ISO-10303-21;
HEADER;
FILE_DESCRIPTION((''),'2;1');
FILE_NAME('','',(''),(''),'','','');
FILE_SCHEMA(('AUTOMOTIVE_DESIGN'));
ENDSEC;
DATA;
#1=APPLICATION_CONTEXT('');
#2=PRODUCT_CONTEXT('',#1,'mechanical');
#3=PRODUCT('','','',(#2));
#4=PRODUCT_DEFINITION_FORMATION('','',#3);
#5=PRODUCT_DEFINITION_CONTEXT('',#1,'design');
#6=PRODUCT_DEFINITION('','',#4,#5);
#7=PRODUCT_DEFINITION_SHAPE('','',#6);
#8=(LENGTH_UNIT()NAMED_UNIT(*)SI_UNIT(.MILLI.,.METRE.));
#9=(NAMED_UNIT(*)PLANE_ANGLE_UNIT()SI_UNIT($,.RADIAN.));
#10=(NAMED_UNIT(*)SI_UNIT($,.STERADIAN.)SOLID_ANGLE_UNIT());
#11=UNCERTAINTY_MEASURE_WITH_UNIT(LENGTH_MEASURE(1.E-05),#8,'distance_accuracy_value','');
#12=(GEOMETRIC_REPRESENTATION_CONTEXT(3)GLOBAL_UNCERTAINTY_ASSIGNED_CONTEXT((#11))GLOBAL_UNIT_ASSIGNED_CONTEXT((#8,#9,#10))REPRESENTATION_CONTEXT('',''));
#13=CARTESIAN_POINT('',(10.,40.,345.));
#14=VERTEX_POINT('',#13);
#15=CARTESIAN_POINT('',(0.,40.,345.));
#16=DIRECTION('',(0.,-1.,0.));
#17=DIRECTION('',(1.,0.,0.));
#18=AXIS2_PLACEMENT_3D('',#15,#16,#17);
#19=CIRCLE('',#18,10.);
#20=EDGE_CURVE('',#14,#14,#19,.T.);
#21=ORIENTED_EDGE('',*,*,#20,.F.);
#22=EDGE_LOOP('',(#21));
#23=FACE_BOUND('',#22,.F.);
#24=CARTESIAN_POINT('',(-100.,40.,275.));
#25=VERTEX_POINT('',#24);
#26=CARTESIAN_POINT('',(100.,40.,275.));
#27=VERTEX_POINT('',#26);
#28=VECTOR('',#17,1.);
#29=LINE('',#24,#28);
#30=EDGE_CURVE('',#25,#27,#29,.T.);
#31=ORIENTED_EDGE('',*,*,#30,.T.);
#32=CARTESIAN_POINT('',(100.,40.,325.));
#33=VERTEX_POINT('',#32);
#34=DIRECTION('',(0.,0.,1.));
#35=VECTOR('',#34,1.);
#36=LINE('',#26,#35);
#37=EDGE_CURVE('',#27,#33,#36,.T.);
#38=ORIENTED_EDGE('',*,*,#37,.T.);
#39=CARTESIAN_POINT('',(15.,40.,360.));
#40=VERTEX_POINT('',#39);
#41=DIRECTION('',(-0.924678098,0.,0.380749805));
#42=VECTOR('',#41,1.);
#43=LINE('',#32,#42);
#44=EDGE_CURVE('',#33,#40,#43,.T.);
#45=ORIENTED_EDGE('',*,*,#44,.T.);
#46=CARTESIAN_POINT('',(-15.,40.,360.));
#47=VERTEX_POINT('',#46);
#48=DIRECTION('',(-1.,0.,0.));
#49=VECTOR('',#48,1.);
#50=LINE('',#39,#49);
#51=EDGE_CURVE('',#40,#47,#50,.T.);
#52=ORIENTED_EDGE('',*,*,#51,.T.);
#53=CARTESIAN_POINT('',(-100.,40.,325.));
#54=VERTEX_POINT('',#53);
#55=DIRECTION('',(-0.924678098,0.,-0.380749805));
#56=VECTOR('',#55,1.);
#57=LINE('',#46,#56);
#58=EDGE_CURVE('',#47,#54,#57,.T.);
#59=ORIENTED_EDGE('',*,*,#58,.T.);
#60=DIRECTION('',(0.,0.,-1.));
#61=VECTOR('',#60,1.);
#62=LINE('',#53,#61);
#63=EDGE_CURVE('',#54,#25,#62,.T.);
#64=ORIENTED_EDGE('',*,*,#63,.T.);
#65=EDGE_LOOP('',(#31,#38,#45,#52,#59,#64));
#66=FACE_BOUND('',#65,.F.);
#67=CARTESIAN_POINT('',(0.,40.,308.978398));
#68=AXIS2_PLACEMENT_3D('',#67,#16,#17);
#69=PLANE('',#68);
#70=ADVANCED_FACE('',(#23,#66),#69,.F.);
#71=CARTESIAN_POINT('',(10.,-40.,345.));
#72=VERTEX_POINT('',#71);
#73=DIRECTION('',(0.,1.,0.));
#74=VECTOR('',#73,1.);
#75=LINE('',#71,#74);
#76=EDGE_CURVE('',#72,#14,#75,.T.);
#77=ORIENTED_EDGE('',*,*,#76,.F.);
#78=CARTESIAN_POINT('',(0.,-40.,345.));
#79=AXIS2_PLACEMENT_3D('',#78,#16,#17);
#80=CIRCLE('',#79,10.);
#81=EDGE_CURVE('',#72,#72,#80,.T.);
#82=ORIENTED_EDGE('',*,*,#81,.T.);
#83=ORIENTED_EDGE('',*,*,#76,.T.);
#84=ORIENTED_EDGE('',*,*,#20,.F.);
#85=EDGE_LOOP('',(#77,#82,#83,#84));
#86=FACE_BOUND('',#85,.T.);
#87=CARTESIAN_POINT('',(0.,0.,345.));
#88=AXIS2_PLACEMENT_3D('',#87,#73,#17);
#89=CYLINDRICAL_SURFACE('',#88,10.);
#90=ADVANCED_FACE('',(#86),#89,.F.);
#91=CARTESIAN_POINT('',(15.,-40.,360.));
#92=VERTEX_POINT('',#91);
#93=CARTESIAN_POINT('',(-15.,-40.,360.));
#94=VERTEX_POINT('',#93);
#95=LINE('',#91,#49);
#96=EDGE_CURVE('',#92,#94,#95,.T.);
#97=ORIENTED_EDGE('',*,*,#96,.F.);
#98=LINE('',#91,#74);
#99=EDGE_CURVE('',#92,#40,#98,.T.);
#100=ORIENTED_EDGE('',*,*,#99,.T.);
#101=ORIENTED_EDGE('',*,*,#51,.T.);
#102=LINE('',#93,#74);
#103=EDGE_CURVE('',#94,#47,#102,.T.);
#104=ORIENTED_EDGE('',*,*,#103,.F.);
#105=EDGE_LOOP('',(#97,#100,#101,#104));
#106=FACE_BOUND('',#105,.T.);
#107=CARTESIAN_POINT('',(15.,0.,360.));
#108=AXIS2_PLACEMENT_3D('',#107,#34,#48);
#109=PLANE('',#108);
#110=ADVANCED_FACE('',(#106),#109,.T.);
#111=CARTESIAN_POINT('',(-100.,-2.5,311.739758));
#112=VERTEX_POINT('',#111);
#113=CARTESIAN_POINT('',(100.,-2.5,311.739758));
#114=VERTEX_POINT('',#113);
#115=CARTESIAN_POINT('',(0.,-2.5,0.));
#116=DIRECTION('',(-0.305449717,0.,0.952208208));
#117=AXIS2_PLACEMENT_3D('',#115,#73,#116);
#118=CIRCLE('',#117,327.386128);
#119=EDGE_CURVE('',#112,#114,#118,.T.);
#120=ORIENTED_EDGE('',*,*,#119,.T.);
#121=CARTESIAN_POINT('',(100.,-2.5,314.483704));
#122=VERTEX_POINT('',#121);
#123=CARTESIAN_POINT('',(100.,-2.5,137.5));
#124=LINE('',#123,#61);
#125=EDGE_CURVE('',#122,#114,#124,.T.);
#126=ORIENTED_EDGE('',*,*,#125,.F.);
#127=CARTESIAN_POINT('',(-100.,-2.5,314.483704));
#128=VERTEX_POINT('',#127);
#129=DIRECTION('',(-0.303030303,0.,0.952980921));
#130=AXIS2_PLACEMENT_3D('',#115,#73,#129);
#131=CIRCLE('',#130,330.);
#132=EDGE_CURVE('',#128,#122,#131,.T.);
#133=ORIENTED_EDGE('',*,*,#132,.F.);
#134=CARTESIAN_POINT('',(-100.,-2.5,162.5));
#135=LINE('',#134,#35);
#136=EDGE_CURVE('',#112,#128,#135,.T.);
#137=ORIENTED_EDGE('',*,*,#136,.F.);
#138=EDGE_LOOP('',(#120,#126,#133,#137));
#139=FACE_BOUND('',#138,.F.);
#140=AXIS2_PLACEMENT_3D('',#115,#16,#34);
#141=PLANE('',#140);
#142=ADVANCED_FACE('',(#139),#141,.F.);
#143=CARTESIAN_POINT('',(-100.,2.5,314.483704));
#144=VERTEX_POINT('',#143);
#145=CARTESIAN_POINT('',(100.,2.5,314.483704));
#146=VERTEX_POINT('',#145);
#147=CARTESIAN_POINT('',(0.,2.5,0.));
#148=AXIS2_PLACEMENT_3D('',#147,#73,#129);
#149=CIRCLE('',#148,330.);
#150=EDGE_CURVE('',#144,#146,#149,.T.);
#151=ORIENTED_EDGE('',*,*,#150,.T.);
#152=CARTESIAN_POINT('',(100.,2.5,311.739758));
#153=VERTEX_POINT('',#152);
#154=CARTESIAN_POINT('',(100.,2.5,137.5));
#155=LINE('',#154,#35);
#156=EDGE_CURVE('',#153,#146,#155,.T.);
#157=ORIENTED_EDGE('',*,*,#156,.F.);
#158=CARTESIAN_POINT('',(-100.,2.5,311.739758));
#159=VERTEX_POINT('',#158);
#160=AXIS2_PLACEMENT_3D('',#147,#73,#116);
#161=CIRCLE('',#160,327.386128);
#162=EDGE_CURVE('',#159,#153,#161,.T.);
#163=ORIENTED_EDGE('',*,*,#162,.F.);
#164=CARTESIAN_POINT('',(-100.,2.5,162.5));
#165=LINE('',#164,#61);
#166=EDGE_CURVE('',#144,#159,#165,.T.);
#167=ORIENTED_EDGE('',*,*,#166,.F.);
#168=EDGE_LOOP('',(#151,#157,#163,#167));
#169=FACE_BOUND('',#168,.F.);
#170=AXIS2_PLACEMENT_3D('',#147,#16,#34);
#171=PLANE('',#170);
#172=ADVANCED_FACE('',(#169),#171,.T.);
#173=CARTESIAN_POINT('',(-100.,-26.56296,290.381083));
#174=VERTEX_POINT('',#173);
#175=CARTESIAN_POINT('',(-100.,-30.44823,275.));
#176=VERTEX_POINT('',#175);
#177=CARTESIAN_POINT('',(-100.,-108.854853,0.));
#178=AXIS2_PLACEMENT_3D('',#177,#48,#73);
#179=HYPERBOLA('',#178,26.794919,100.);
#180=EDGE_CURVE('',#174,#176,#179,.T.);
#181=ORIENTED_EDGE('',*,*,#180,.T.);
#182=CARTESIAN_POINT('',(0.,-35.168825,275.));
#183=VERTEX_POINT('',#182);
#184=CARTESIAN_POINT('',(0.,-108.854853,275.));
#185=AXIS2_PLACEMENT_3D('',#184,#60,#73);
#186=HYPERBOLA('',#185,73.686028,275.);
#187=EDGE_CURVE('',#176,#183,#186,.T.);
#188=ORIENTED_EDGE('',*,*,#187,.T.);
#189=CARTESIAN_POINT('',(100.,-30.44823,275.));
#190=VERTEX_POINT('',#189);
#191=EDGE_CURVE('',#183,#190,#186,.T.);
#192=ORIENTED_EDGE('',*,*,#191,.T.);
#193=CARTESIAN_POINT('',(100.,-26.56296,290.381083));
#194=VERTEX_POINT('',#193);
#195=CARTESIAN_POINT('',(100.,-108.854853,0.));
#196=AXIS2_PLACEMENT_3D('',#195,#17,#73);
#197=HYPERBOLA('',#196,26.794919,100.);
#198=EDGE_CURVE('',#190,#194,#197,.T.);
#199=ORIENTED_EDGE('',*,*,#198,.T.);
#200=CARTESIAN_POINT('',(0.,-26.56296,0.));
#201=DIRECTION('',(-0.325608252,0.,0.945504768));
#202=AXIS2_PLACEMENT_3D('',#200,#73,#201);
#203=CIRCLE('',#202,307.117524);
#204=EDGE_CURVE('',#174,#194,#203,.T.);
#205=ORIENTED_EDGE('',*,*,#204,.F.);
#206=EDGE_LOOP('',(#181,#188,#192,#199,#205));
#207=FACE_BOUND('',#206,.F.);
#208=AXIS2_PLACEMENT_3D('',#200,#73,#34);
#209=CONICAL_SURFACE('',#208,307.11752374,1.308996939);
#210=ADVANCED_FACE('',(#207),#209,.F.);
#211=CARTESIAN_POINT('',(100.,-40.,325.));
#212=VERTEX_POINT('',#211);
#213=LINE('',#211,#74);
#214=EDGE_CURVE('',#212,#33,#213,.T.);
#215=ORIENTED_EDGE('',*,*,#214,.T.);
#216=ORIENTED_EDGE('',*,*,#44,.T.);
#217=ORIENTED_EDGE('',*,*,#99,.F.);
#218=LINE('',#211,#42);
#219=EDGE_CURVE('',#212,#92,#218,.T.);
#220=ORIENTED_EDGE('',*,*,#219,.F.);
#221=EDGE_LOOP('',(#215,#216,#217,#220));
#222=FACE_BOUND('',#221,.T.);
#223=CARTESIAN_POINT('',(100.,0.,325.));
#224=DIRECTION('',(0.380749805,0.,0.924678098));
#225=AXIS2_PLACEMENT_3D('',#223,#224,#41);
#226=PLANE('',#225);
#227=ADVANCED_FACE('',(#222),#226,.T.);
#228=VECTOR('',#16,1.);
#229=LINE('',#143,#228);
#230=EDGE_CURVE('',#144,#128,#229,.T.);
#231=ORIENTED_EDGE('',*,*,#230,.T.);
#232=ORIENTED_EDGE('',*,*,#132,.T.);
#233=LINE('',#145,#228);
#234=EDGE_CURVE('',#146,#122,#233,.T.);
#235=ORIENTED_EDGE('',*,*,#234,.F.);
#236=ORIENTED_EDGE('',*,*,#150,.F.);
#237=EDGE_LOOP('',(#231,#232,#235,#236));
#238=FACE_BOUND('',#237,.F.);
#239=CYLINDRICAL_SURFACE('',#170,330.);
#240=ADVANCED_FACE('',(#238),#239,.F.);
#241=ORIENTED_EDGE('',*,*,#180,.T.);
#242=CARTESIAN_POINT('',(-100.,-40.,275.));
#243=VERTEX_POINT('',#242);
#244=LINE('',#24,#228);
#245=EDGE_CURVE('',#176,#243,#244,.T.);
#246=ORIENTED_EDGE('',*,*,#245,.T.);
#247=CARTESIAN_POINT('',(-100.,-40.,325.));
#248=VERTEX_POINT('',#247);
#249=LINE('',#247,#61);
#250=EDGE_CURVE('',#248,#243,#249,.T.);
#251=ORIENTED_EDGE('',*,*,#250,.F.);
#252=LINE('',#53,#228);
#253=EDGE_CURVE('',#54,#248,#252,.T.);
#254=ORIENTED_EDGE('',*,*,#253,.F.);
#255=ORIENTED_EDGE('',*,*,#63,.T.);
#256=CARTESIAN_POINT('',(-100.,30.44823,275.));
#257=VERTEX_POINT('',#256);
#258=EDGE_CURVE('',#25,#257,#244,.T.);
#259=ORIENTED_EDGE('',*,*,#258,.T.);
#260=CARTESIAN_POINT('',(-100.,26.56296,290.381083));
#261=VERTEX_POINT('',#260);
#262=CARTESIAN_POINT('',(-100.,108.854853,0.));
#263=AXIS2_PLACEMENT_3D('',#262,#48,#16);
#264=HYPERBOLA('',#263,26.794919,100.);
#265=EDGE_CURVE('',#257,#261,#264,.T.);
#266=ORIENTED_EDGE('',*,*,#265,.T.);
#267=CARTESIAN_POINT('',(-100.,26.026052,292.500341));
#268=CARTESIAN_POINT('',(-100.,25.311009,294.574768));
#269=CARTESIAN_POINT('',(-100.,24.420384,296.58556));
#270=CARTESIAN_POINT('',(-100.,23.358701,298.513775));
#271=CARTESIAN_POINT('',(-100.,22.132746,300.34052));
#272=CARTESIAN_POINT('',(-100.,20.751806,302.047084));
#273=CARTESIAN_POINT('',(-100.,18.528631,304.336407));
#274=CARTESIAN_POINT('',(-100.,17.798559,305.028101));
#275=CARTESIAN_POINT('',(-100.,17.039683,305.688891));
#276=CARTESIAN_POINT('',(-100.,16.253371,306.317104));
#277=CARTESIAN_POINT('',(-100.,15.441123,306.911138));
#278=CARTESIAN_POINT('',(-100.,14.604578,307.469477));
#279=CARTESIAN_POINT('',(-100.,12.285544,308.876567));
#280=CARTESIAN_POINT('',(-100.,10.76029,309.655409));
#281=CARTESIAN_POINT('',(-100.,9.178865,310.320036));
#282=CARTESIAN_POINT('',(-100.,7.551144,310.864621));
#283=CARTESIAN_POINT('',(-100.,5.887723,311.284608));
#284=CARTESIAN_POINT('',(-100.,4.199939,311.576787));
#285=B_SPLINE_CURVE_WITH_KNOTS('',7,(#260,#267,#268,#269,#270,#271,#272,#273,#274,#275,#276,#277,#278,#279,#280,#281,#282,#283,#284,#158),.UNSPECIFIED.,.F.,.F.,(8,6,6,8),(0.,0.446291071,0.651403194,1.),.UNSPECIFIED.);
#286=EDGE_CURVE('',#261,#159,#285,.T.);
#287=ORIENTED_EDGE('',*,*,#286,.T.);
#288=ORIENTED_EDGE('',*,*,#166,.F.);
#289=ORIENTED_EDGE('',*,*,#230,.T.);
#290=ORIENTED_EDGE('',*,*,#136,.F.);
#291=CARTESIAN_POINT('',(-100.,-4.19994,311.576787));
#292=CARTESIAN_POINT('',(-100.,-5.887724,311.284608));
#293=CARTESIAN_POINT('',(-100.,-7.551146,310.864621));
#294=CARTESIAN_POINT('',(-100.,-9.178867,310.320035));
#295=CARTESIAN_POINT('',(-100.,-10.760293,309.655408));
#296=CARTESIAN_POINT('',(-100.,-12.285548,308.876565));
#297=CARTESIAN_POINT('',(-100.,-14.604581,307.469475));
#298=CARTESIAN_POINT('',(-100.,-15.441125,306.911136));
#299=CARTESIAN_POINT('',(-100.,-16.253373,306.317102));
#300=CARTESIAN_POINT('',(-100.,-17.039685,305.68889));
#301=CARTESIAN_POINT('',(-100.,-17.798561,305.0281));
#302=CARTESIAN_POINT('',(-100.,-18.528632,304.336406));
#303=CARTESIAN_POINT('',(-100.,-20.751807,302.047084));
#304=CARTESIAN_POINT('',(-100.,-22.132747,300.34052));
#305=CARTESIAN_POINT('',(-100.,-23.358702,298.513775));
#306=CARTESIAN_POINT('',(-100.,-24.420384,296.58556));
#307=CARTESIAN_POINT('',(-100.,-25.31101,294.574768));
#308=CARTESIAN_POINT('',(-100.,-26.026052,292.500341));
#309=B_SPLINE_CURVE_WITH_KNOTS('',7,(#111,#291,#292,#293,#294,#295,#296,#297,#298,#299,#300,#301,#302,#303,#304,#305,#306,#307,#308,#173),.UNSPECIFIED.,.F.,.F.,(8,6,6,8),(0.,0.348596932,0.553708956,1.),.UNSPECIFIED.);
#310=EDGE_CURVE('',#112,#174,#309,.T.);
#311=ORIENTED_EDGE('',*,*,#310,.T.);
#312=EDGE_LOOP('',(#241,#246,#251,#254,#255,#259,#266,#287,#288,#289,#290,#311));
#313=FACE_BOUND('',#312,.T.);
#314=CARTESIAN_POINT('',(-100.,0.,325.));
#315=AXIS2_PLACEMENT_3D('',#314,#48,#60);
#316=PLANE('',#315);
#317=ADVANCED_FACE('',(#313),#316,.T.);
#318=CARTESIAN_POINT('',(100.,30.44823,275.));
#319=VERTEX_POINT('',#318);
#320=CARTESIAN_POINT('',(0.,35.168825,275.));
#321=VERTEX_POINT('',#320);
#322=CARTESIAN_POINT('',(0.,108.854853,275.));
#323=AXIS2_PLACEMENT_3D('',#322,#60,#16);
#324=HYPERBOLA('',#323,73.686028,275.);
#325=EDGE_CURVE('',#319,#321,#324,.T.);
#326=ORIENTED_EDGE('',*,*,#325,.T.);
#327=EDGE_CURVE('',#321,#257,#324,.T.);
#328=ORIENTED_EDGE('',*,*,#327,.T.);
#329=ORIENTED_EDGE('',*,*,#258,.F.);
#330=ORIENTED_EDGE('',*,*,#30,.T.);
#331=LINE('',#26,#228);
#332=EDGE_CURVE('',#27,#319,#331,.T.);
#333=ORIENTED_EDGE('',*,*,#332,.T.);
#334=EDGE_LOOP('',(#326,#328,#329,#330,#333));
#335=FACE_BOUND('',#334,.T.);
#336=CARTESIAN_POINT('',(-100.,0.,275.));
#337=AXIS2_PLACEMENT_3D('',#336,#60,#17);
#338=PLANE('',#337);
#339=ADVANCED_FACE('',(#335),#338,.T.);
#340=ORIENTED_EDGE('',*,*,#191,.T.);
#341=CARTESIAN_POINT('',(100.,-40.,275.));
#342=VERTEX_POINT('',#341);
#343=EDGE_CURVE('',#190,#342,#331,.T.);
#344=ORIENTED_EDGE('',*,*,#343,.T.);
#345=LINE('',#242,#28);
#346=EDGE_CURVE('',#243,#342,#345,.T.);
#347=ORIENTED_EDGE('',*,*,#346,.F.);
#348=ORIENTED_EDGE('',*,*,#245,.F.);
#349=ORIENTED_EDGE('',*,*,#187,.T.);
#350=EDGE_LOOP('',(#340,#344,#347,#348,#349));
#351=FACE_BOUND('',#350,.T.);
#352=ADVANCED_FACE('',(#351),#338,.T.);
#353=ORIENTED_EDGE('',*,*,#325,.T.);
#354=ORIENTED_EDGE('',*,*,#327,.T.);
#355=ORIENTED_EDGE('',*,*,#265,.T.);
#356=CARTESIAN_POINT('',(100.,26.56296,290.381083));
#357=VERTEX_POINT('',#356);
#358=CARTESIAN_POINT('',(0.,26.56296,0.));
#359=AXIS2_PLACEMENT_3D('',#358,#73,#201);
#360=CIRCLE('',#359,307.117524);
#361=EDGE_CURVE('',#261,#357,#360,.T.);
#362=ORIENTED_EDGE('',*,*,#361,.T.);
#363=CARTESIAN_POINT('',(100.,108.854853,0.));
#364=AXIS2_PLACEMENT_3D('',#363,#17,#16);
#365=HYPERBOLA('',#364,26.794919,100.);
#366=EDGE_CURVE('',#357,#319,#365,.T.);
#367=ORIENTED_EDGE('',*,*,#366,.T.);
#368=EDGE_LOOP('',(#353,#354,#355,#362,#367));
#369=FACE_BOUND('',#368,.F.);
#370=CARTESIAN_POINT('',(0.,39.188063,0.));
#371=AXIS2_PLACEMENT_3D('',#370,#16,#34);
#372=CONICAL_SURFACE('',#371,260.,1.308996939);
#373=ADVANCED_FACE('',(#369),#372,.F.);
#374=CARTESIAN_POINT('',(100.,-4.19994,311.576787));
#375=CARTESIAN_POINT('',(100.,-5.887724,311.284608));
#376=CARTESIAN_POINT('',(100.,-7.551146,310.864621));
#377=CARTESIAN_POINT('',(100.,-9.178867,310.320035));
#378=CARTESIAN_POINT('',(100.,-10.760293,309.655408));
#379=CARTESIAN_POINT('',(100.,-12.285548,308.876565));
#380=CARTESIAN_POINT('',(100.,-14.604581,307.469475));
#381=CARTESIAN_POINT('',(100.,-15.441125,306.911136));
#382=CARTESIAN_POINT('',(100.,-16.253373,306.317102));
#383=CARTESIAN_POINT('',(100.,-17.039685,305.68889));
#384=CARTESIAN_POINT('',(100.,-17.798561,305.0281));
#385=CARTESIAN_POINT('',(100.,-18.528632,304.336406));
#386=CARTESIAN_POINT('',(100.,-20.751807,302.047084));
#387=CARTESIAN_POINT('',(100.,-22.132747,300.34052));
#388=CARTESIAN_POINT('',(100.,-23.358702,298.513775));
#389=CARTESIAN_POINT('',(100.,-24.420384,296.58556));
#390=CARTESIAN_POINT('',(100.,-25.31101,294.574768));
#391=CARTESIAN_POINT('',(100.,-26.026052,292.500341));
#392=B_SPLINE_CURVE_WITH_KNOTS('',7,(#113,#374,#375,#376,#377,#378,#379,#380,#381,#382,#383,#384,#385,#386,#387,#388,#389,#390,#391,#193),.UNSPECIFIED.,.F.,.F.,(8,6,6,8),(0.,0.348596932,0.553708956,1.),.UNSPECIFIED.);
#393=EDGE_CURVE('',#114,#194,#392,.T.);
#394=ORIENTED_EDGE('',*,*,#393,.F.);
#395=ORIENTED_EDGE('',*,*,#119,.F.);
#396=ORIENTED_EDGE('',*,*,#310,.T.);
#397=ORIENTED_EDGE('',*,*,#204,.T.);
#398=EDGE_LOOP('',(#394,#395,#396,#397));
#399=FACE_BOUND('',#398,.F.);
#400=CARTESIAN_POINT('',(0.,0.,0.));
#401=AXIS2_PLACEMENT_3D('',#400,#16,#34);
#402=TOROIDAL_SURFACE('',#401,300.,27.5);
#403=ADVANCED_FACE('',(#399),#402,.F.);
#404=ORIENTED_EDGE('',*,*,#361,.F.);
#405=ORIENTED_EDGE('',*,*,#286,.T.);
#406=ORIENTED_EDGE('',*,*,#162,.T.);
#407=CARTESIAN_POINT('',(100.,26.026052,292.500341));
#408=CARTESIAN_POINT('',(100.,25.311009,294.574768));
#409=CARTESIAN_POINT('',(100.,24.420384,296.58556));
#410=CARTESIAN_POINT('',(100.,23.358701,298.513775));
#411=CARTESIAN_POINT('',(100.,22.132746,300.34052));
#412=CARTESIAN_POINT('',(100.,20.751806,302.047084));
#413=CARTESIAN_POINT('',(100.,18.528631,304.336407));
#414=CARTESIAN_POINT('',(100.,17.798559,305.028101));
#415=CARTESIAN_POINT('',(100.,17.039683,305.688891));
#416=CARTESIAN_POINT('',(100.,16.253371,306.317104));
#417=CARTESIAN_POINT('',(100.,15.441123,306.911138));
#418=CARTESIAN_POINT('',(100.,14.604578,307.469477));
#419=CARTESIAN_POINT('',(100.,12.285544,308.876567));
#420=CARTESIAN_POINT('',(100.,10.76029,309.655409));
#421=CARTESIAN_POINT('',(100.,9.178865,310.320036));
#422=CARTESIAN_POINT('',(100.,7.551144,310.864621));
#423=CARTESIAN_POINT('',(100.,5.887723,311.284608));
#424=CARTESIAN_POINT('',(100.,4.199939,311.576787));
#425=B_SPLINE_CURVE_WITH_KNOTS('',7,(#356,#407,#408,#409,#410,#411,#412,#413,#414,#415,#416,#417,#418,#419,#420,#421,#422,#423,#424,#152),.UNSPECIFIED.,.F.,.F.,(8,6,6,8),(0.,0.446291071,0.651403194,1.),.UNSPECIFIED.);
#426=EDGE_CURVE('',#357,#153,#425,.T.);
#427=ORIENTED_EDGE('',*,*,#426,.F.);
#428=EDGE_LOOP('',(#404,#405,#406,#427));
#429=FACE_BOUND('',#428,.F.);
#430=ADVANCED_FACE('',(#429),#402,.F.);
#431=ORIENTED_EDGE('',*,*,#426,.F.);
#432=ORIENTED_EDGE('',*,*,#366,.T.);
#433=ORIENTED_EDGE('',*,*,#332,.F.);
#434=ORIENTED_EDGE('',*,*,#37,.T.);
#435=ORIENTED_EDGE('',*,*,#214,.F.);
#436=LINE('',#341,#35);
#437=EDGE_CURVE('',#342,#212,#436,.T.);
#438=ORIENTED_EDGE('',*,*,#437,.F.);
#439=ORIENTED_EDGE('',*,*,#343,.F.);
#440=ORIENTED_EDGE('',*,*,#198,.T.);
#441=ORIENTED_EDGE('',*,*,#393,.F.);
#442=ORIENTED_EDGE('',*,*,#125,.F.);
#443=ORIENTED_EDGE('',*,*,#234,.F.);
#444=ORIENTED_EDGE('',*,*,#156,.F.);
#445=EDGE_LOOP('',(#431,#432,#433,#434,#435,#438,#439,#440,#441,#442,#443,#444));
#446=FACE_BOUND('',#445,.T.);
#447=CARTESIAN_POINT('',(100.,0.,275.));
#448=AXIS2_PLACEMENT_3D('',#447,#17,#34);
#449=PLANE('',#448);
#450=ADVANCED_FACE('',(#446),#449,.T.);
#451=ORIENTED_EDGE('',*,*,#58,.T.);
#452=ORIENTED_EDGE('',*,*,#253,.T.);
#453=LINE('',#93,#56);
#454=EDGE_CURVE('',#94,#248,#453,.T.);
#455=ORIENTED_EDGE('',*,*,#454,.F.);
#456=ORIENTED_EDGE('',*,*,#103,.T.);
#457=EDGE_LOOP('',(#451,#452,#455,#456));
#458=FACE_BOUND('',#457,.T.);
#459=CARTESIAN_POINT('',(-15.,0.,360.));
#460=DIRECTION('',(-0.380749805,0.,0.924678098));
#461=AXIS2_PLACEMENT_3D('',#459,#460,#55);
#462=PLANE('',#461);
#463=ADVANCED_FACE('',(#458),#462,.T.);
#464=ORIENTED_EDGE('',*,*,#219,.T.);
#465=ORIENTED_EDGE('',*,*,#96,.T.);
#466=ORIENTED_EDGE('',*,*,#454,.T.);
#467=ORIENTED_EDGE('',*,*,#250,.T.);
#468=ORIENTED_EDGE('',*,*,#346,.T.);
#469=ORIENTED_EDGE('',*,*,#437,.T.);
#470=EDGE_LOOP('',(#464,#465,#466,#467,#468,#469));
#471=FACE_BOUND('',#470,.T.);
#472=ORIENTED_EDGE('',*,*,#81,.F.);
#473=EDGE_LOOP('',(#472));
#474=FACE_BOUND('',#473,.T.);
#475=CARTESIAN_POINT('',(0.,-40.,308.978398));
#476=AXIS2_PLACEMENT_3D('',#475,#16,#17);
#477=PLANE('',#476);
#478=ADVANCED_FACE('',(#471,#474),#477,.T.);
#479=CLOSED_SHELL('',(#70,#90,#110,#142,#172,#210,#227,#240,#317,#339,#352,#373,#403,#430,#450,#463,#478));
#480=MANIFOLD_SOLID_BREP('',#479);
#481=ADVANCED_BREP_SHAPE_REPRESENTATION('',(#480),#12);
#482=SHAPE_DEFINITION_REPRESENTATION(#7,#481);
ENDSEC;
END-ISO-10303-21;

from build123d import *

# Parameters (mm, degrees)
F0_R     = 10
F1_DEPTH = 40


with BuildPart() as f1:
    # F0 (on Front) → F1 (new body, symmetric)
    with BuildSketch(Plane.XZ):
        Polygon((0, 360), (-15, 360), (-100, 325), (-100, 275), (0, 275), (100, 275), (100, 325), (15, 360), align=None)
        with Locations((0, 345)):
            Circle(F0_R, mode=Mode.SUBTRACT)
    extrude(amount=F1_DEPTH, both=True)

    # F2 (on Right) → F3 (revolve, cut)
    with BuildSketch(Plane.YZ):
        with BuildLine():
            Line((39.1880626585, 260), (26.5629602229, 307.1175237403))
            ThreePointArc((26.5629602229, 307.1175237403), (17.7163199515, 321.0328791984), (2.5, 327.3861278753))
            Line((2.5, 327.3861278753), (2.5, 330))
            Line((2.5, 330), (-2.5, 330))
            Line((-2.5, 330), (-2.5, 327.3861278753))
            ThreePointArc((-2.5, 327.3861278753), (-17.7163199515, 321.0328791984), (-26.5629602229, 307.1175237403))
            Line((-26.5629602229, 307.1175237403), (-39.1880626585, 260))
            Line((-39.1880626585, 260), (39.1880626585, 260))
        make_face()
    revolve(axis=Axis((0, 0, 0), (0, -1, 0)), mode=Mode.SUBTRACT)


solid = f1.part
